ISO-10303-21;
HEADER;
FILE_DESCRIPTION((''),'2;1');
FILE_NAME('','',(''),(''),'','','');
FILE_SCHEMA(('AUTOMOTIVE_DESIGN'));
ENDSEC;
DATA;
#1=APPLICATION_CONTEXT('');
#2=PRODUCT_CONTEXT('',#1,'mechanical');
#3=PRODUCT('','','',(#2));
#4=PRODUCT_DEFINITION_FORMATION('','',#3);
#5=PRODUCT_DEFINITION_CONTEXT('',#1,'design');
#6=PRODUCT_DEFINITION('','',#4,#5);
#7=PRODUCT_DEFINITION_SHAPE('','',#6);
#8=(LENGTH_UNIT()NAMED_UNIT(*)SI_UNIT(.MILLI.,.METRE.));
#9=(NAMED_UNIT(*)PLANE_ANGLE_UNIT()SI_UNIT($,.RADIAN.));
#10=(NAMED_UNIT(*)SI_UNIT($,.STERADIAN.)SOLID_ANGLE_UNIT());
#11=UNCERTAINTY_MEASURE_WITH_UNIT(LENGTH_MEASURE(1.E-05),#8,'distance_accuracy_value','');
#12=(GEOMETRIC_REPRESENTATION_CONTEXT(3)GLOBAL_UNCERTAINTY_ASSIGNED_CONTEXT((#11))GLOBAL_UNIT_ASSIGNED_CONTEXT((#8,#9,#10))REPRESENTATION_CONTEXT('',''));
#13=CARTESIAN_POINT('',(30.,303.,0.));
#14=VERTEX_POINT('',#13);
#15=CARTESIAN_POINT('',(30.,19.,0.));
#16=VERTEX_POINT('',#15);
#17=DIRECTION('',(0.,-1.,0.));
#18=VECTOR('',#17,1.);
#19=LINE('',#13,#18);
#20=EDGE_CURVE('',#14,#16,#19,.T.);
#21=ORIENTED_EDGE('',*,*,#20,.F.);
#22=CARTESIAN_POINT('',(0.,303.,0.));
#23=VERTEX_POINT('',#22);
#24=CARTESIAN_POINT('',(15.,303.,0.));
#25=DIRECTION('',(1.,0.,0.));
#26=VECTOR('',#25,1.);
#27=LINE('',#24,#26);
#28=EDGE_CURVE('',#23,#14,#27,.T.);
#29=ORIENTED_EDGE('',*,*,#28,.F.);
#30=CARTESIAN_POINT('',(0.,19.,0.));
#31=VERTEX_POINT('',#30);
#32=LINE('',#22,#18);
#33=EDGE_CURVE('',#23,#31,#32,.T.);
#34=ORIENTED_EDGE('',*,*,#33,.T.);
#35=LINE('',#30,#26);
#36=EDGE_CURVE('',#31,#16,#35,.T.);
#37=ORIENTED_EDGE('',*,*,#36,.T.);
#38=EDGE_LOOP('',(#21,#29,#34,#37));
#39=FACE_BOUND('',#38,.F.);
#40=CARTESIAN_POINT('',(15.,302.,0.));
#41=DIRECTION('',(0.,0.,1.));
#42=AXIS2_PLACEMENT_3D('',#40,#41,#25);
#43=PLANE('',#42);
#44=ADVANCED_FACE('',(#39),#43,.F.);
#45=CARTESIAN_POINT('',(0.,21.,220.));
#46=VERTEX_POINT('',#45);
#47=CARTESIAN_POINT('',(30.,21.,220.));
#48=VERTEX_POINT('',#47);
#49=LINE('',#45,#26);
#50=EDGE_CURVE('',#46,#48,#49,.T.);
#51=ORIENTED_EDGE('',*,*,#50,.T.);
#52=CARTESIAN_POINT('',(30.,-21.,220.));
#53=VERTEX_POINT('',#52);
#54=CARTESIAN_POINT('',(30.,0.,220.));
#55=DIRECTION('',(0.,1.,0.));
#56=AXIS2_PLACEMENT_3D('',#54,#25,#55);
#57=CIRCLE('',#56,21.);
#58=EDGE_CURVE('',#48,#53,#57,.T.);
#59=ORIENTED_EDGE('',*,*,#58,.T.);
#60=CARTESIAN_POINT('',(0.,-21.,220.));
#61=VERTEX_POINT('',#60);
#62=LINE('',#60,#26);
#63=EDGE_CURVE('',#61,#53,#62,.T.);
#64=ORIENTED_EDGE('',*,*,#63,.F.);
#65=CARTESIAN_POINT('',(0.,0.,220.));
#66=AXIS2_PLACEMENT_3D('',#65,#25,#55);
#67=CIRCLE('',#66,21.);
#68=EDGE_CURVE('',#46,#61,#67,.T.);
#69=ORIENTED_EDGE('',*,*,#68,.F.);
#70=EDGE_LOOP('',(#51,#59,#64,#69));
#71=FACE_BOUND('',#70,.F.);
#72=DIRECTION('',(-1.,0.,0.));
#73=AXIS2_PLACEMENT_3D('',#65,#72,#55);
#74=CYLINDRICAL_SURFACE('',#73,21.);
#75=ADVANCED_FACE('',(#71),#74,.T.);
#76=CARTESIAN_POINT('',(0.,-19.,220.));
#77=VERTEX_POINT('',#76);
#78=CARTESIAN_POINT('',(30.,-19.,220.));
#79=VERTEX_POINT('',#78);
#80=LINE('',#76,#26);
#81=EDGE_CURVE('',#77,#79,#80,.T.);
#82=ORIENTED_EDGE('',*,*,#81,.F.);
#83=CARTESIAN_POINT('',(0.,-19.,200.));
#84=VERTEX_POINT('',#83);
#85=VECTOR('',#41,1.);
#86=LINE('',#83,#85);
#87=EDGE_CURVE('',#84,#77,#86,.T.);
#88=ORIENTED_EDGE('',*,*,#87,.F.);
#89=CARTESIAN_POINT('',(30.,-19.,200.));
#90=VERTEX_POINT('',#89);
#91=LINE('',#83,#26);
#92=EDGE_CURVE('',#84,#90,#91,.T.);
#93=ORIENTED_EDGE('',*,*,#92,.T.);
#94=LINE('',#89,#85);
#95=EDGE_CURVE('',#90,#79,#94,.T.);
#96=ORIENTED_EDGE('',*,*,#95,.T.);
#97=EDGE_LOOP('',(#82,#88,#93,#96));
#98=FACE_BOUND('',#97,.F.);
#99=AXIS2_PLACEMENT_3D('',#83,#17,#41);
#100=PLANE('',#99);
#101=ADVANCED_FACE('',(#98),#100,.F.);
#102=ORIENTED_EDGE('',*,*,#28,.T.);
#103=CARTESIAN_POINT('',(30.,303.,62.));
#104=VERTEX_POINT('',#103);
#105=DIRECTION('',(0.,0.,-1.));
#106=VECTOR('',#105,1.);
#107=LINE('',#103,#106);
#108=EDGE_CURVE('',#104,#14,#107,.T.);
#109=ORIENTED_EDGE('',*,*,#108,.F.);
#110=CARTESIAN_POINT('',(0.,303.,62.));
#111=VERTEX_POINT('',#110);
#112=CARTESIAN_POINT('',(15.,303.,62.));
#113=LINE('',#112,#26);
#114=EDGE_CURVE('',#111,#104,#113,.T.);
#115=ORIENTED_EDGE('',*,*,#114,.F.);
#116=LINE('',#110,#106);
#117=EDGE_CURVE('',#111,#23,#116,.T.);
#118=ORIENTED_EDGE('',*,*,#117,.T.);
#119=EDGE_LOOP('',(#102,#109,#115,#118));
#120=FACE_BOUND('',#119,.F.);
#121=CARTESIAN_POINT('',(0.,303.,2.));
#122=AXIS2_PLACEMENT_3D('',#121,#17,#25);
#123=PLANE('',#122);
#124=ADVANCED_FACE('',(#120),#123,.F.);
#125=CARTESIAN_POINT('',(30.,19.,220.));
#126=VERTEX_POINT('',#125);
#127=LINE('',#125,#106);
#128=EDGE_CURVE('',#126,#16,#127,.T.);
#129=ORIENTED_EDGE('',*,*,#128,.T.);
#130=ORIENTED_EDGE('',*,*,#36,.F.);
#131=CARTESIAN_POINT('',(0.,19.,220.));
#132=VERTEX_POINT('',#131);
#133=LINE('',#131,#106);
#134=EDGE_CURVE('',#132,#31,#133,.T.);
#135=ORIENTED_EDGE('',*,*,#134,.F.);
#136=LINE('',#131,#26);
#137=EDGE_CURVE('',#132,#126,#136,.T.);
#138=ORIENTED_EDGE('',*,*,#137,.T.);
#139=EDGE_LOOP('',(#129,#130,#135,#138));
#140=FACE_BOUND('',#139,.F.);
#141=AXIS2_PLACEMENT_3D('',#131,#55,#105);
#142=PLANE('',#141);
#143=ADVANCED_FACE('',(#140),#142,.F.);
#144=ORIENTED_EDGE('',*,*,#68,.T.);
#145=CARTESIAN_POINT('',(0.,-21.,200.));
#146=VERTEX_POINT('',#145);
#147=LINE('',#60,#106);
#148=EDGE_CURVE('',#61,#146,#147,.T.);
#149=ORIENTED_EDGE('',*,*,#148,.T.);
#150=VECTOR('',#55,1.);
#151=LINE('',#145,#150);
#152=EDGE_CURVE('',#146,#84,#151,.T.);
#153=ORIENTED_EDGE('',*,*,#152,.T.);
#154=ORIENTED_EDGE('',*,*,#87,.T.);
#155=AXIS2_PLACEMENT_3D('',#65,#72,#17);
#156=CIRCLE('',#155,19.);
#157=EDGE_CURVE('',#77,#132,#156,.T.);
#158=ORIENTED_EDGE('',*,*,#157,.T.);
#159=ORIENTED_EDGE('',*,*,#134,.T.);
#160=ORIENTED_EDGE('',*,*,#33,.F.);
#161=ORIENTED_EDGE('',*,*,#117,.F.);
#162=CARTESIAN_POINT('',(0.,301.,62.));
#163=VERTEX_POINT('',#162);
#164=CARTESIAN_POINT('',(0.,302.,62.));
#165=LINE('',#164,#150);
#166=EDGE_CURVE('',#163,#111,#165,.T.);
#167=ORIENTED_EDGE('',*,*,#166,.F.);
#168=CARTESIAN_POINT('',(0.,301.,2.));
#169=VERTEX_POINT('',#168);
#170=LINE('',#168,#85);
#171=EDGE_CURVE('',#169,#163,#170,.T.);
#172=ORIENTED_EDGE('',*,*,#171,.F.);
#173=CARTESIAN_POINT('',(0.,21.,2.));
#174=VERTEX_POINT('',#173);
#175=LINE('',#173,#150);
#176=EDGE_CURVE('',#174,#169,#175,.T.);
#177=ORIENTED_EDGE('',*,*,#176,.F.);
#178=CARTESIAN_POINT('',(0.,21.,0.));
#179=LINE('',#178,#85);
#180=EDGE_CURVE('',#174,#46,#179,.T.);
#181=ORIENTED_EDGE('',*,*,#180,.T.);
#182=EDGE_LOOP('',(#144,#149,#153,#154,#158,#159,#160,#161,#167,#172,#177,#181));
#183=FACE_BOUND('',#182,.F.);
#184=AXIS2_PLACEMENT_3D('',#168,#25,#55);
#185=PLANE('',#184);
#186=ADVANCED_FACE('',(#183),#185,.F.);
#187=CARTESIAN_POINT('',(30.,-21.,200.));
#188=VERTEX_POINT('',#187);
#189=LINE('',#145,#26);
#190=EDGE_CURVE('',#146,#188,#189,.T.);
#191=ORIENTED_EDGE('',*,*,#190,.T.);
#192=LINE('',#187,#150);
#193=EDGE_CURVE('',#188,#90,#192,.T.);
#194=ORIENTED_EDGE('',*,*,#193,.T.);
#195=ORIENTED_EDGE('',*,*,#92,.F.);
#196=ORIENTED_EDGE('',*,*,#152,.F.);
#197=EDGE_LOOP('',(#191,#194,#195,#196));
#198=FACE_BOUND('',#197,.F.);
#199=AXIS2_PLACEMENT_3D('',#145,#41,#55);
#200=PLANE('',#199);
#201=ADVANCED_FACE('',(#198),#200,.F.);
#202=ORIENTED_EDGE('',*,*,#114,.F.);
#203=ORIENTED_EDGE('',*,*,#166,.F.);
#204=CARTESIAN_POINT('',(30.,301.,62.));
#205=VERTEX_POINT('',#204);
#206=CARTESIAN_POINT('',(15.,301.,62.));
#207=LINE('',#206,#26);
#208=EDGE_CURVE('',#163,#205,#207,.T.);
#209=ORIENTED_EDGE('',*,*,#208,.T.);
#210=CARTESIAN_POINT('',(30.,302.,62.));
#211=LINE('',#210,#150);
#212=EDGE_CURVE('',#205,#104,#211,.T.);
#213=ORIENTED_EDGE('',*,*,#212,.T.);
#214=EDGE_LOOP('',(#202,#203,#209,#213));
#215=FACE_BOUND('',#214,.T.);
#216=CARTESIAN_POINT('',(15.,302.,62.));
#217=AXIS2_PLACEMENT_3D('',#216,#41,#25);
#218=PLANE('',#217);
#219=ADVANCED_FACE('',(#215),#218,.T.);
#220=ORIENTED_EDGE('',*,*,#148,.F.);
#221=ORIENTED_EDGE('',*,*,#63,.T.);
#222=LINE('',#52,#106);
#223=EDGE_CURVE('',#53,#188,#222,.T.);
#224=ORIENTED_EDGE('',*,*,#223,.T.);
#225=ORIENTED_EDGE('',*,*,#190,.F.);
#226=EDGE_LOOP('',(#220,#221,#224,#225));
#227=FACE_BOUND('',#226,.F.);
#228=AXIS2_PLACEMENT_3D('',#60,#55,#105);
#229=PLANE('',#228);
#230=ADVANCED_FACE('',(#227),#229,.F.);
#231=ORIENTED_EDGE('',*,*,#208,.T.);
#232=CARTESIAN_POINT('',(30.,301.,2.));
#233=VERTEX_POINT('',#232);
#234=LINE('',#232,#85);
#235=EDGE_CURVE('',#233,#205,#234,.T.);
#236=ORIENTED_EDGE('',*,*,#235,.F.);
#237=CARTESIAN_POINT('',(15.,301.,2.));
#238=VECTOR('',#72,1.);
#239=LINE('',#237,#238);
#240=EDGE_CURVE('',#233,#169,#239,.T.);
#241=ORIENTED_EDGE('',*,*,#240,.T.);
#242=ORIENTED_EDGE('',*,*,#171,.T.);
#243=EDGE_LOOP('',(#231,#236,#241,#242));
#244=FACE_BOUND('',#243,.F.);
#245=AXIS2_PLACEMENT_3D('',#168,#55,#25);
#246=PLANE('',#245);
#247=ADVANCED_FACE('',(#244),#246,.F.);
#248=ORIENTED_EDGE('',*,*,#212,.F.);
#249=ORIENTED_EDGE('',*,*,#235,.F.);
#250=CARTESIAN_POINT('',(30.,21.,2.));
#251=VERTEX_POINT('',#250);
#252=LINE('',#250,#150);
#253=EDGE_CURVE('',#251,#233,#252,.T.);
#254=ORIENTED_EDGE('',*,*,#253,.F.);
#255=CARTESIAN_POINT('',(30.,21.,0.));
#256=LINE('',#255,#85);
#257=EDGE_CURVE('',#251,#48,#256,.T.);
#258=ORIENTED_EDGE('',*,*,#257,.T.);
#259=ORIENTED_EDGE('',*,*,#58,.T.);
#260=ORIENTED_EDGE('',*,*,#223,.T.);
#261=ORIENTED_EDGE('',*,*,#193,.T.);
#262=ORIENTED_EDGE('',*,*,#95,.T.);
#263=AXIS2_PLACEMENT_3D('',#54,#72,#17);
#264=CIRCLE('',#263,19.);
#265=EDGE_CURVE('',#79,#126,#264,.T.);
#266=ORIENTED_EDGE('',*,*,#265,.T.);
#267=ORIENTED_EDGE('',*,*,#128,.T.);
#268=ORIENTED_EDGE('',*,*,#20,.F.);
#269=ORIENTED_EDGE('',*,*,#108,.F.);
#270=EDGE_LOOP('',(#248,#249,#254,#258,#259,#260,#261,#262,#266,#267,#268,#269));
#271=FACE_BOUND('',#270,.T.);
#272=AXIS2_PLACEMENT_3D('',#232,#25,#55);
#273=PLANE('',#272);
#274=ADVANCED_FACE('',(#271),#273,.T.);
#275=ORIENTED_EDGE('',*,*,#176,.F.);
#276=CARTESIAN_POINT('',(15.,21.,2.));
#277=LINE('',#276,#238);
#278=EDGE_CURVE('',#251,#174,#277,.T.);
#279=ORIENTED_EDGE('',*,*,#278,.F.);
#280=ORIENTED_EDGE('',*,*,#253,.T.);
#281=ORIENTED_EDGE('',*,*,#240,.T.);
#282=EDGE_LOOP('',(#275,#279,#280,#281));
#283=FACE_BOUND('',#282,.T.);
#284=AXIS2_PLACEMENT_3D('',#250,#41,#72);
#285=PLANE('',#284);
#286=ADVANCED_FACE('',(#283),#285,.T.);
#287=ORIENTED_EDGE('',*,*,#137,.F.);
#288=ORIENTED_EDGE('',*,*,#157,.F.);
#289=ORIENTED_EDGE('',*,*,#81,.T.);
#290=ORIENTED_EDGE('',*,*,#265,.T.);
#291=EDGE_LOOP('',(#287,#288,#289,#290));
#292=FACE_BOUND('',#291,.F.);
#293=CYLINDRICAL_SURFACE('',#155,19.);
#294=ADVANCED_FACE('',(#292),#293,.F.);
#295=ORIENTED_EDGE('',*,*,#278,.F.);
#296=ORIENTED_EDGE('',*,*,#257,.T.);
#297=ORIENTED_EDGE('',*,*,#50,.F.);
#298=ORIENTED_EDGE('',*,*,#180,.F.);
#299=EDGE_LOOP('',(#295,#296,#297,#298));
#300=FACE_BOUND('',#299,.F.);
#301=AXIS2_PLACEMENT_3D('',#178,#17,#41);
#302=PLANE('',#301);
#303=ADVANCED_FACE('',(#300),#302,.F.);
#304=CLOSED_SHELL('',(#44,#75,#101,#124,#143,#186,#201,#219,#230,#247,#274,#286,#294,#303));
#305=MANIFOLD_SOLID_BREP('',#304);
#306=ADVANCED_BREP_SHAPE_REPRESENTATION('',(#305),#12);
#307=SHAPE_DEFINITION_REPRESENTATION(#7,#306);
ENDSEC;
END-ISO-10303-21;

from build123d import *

# Parameters (mm, degrees)
F1_DEPTH      = 30
F2_W          = 30
F2_H          = 2
F3_DEPTH      = 280
F4_W          = 30
F4_H          = 2
F5_DEPTH      = 60
F5_DEPTH_BACK = 2


with BuildPart() as f1:
    # F0 (on Right) → F1 (new body)
    with BuildSketch(Plane.YZ):
        with BuildLine():
            ThreePointArc((-19, 220), (0, 239), (19, 220))
            Line((19, 220), (19, 0))
            Line((19, 0), (21, 0))
            Line((21, 0), (21, 220))
            ThreePointArc((21, 220), (0, 241), (-21, 220))
            Line((-21, 220), (-21, 200))
            Line((-21, 200), (-19, 200))
            Line((-19, 200), (-19, 220))
        make_face()
    extrude(amount=F1_DEPTH)

    # F2 (on face) → F3 (join)
    with BuildSketch(Plane(origin=(0, 21, 0), x_dir=(-1, 0, 0), z_dir=(0, 1, 0))):
        with Locations((-15, 1)):
            Rectangle(F2_W, F2_H)
    extrude(amount=F3_DEPTH)

    # F4 (on face) → F5 (join, two sides)
    with BuildSketch(Plane.XY.offset(2)) as f5_sk:
        with Locations((15, 302)):
            Rectangle(F4_W, F4_H)
    extrude(amount=F5_DEPTH)
    extrude(f5_sk.sketch, amount=-F5_DEPTH_BACK)


solid = f1.part
